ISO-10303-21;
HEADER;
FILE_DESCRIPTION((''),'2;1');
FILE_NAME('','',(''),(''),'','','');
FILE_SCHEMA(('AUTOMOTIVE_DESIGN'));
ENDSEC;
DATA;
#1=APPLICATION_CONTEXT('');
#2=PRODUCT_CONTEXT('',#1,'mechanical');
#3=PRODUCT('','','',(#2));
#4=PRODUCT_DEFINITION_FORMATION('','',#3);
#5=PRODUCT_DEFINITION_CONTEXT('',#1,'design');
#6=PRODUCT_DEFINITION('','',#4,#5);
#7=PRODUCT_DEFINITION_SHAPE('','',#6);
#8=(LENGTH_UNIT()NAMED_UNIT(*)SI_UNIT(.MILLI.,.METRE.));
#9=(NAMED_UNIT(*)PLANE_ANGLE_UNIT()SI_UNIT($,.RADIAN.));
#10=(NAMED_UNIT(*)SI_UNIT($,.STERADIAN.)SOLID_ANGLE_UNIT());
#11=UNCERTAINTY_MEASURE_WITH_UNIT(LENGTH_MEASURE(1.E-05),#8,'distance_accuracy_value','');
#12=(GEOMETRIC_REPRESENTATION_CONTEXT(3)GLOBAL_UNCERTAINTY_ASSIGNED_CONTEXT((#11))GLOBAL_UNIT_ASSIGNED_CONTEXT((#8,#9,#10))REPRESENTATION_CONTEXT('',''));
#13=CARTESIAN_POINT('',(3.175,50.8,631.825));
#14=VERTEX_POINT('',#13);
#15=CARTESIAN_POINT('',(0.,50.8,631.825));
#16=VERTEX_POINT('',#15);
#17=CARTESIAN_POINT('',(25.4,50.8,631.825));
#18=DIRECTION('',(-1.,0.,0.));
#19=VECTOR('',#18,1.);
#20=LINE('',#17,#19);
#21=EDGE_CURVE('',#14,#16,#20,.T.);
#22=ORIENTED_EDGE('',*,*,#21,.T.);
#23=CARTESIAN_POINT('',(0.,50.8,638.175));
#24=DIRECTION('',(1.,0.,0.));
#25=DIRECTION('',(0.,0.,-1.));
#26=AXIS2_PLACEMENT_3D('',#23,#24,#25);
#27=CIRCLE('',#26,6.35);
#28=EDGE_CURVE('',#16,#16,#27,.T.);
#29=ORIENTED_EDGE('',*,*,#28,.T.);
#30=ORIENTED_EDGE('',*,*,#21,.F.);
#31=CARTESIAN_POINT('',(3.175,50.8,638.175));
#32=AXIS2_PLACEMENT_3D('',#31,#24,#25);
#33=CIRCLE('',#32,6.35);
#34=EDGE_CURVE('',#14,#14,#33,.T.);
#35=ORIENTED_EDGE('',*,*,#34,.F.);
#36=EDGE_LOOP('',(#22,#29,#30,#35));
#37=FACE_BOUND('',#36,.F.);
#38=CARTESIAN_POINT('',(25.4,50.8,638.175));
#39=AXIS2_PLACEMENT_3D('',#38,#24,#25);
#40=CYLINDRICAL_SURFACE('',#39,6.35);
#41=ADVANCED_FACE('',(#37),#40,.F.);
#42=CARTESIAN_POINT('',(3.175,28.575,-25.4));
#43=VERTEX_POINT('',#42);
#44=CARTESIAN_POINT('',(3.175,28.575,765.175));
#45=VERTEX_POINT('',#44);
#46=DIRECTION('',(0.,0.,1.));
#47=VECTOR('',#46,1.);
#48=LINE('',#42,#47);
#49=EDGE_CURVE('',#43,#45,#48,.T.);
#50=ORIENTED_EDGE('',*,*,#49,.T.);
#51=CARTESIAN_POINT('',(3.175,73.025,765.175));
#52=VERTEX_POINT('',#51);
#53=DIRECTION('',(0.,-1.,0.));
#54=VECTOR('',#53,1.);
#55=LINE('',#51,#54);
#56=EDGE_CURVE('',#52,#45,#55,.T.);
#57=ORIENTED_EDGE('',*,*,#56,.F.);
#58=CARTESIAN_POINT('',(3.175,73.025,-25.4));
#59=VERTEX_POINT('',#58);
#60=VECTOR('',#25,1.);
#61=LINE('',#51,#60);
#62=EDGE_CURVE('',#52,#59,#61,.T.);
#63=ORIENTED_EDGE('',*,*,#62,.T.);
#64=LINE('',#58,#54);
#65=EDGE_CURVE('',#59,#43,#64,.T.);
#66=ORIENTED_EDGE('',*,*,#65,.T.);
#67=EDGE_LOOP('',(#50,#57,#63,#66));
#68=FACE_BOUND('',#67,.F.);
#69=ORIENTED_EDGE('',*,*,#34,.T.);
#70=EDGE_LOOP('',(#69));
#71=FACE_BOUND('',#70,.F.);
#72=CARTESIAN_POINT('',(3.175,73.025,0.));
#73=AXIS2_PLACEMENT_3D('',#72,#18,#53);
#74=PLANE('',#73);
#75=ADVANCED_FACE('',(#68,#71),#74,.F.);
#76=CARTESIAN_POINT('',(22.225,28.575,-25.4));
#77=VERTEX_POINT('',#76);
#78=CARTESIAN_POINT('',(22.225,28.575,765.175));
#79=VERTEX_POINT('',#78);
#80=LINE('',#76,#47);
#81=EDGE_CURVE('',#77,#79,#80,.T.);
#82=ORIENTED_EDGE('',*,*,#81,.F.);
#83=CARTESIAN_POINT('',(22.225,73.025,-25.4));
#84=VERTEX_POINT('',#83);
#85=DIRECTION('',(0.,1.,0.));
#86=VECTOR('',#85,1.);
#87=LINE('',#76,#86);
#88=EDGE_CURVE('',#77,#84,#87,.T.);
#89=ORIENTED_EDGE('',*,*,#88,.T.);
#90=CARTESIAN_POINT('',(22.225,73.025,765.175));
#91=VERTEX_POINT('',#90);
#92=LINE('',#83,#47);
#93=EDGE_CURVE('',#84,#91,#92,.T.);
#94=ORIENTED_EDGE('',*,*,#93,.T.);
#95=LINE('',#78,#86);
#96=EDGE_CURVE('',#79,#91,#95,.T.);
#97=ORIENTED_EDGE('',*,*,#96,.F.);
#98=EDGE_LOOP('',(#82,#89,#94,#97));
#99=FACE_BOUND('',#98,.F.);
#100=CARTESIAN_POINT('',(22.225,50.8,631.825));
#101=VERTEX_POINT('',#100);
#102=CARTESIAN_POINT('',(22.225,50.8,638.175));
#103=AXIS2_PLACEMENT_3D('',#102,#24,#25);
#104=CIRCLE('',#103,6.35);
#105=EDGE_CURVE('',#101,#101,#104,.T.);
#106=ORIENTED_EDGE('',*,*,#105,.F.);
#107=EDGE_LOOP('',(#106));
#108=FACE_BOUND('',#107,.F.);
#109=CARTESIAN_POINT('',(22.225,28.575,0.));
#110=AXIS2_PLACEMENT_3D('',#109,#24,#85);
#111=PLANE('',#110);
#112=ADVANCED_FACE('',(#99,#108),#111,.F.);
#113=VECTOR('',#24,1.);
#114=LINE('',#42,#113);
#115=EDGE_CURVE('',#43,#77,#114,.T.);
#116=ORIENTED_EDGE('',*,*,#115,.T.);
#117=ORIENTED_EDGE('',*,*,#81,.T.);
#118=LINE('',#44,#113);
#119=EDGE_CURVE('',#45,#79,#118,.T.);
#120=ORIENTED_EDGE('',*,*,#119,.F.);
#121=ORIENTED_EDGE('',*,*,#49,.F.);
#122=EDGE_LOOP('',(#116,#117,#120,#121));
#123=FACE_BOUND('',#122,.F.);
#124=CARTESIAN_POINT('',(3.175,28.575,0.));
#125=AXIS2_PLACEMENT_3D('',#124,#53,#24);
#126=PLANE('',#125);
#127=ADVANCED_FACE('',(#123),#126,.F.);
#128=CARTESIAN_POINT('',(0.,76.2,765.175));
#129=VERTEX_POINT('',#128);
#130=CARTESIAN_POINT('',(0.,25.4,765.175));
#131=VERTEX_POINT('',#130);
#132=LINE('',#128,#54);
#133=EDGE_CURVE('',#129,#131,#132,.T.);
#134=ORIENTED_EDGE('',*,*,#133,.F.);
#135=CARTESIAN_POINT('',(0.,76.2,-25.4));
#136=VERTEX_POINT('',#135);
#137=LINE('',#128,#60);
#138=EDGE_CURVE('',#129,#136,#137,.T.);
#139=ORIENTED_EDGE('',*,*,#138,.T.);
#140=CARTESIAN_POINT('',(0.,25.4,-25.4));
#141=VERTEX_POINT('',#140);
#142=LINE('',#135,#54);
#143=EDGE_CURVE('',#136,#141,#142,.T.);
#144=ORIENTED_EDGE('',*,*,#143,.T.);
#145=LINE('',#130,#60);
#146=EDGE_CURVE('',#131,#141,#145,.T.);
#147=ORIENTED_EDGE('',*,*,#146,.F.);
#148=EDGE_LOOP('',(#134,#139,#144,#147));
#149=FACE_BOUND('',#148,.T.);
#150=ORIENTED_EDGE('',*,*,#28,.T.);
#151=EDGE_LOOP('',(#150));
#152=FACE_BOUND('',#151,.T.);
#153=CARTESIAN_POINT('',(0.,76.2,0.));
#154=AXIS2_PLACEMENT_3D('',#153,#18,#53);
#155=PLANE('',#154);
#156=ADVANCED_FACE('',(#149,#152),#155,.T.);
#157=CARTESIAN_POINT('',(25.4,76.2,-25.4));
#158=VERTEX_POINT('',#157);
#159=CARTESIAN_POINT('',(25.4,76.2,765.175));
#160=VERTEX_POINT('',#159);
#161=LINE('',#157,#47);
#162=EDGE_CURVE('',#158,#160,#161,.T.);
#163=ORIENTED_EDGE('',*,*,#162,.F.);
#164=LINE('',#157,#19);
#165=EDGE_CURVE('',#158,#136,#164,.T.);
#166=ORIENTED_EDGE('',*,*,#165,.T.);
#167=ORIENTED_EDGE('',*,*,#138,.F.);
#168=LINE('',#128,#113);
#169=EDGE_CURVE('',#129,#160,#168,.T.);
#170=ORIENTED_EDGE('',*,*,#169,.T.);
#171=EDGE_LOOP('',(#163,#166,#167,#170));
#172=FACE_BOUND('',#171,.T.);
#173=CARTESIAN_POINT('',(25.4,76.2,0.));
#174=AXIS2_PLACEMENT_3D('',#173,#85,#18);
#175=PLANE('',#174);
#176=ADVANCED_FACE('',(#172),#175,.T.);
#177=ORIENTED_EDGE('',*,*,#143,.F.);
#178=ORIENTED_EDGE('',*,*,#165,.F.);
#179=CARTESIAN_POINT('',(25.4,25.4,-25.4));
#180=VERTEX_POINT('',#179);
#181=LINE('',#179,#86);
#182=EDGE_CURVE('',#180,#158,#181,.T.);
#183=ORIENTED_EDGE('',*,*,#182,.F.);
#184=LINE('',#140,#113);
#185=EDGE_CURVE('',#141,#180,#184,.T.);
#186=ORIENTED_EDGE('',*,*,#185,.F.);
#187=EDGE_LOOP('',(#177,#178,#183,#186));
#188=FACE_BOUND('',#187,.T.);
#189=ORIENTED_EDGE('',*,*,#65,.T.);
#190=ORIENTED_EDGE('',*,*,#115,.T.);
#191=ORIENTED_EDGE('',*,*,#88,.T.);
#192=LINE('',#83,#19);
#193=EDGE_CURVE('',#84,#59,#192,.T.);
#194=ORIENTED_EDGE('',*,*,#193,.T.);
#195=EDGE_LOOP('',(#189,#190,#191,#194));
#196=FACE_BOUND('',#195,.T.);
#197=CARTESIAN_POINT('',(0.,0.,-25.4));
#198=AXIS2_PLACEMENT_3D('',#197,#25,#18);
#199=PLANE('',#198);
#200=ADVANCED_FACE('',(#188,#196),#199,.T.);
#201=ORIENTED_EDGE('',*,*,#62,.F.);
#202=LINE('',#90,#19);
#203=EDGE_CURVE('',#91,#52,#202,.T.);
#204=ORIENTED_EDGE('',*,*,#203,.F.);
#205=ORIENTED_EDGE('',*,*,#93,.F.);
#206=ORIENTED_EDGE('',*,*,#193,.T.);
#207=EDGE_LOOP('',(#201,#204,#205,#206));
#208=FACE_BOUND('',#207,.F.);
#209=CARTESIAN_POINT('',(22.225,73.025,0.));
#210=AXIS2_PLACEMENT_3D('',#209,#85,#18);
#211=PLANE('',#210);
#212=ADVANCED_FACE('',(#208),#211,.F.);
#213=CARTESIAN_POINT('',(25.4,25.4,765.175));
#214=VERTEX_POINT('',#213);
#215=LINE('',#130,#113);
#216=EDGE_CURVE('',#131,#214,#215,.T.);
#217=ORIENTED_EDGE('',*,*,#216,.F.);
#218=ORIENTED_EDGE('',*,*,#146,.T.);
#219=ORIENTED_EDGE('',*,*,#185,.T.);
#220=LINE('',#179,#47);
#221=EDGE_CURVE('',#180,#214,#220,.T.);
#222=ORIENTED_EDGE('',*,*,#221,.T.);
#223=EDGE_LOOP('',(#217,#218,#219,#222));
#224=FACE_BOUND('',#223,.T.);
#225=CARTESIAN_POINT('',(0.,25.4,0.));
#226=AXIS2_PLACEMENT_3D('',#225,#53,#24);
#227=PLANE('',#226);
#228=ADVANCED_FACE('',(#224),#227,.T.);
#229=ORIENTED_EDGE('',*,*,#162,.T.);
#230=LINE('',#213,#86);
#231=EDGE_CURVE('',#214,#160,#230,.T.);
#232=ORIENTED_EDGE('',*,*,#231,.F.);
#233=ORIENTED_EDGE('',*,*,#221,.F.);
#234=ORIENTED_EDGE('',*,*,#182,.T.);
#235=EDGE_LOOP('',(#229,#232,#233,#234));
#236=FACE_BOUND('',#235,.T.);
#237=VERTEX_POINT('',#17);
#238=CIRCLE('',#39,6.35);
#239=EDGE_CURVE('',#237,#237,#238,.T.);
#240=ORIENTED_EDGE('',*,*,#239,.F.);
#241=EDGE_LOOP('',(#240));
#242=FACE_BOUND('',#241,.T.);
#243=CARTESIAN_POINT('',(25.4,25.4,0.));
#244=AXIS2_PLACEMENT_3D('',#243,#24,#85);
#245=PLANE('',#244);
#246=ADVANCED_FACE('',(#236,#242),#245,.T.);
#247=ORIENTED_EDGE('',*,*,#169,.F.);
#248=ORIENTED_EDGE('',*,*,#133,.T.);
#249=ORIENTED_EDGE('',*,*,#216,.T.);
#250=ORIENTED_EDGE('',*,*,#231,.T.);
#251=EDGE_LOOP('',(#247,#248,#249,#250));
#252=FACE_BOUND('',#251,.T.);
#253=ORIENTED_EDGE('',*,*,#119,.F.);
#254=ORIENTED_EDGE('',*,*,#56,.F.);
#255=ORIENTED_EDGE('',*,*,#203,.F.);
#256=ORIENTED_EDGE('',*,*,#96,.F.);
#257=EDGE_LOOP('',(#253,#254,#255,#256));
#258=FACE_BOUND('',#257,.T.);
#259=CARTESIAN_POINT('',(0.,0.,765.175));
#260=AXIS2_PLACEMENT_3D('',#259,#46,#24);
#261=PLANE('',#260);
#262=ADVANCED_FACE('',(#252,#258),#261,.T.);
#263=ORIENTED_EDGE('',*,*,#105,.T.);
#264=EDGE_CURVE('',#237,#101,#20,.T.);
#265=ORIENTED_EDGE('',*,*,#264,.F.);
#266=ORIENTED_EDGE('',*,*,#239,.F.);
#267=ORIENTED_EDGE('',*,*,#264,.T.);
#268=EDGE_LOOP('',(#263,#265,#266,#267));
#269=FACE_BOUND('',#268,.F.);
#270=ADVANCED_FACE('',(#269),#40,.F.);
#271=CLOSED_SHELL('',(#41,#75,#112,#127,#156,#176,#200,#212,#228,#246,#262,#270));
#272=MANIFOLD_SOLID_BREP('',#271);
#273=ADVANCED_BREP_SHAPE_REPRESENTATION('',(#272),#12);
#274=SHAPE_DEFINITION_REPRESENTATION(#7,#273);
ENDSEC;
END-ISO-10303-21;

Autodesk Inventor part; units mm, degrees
ref_plane "YZ Plane" through (0, 0, 0) normal (1, 0, 0) x (0, 1, 0)
ref_plane "XZ Plane" through (0, 0, 0) normal (0, 1, 0) x (-1, 0, 0)
ref_plane "XY Plane" through (0, 0, 0) normal (0, 0, 1) x (1, 0, 0)
sketch "Sketch1" plane through (0, 0, 0) normal (0, 0, 1) x (1, 0, 0)
  line L0 (0, 25.4) -> (25.4, 25.4)
  line L1 (25.4, 25.4) -> (25.4, 76.2)
  line L2 (25.4, 76.2) -> (0, 76.2)
  line L3 (0, 76.2) -> (0, 25.4)
  line L4 (0, 25.4) -> (3.175, 25.4)
  line L5 (3.175, 25.4) -> (3.175, 28.575) construction
  line L6 (25.4, 76.2) -> (22.225, 76.2)
  line L7 (22.225, 76.2) -> (22.225, 73.025) construction
  line L8 (3.175, 28.575) -> (22.225, 28.575)
  line L9 (22.225, 28.575) -> (22.225, 73.025)
  line L10 (22.225, 73.025) -> (3.175, 73.025)
  line L11 (3.175, 73.025) -> (3.175, 28.575)
  point P0 (0, 0)
  dimension "d0" = 25.4
  dimension "d1" = 50.8
  dimension "d2" = 3.175
  dimension "d3" = 3.175
  dimension "d4" = 3.175
  dimension "d5" = 3.175
extrude "Extrusion1" add sketch "Sketch1" along normal blind 765.175
sketch "Sketch3" plane through (25.4, 25.4, 0) normal (1, 0, 0) x (0, 0, -1)
  line L0 (0, 0) -> (0, 50.8) projected
  line L1 (0, 50.8) -> (-765.175, 50.8) projected
  line L2 (-765.175, 0) -> (-765.175, 50.8) projected
  line L3 (0, 0) -> (-765.175, 0) projected
  line L4 (-765.175, 50.8) -> (-765.175, 0) projected
  line L5 (-765.175, 25.4) -> (-638.175, 25.4) construction
  circle A0 centre (-638.175, 25.4) radius 6.35
  point P0 (0, -25.4)
  dimension "d13" = 127
  dimension "d14" = 12.7
extrude "Extrusion3" cut sketch "Sketch3" against normal through all contours A0
sketch "Sketch4" plane through (0, 0, 0) normal (0, 0, -1) x (-1, 0, 0)
  line L0 (-3.175, 73.025) -> (-3.175, 28.575) projected
  line L1 (-3.175, 28.575) -> (-22.225, 28.575) projected
  line L2 (-22.225, 28.575) -> (-22.225, 73.025) projected
  line L3 (-22.225, 73.025) -> (-3.175, 73.025) projected
  line L4 (0, 25.4) -> (-25.4, 25.4) projected
  line L5 (0, 76.2) -> (0, 25.4) projected
  line L6 (-25.4, 76.2) -> (0, 76.2) projected
  line L7 (-25.4, 25.4) -> (-25.4, 76.2) projected
  point P0 (0, 0)
extrude "Extrusion4" add sketch "Sketch4" along normal blind 25.4
properties part number "ArmBar"
